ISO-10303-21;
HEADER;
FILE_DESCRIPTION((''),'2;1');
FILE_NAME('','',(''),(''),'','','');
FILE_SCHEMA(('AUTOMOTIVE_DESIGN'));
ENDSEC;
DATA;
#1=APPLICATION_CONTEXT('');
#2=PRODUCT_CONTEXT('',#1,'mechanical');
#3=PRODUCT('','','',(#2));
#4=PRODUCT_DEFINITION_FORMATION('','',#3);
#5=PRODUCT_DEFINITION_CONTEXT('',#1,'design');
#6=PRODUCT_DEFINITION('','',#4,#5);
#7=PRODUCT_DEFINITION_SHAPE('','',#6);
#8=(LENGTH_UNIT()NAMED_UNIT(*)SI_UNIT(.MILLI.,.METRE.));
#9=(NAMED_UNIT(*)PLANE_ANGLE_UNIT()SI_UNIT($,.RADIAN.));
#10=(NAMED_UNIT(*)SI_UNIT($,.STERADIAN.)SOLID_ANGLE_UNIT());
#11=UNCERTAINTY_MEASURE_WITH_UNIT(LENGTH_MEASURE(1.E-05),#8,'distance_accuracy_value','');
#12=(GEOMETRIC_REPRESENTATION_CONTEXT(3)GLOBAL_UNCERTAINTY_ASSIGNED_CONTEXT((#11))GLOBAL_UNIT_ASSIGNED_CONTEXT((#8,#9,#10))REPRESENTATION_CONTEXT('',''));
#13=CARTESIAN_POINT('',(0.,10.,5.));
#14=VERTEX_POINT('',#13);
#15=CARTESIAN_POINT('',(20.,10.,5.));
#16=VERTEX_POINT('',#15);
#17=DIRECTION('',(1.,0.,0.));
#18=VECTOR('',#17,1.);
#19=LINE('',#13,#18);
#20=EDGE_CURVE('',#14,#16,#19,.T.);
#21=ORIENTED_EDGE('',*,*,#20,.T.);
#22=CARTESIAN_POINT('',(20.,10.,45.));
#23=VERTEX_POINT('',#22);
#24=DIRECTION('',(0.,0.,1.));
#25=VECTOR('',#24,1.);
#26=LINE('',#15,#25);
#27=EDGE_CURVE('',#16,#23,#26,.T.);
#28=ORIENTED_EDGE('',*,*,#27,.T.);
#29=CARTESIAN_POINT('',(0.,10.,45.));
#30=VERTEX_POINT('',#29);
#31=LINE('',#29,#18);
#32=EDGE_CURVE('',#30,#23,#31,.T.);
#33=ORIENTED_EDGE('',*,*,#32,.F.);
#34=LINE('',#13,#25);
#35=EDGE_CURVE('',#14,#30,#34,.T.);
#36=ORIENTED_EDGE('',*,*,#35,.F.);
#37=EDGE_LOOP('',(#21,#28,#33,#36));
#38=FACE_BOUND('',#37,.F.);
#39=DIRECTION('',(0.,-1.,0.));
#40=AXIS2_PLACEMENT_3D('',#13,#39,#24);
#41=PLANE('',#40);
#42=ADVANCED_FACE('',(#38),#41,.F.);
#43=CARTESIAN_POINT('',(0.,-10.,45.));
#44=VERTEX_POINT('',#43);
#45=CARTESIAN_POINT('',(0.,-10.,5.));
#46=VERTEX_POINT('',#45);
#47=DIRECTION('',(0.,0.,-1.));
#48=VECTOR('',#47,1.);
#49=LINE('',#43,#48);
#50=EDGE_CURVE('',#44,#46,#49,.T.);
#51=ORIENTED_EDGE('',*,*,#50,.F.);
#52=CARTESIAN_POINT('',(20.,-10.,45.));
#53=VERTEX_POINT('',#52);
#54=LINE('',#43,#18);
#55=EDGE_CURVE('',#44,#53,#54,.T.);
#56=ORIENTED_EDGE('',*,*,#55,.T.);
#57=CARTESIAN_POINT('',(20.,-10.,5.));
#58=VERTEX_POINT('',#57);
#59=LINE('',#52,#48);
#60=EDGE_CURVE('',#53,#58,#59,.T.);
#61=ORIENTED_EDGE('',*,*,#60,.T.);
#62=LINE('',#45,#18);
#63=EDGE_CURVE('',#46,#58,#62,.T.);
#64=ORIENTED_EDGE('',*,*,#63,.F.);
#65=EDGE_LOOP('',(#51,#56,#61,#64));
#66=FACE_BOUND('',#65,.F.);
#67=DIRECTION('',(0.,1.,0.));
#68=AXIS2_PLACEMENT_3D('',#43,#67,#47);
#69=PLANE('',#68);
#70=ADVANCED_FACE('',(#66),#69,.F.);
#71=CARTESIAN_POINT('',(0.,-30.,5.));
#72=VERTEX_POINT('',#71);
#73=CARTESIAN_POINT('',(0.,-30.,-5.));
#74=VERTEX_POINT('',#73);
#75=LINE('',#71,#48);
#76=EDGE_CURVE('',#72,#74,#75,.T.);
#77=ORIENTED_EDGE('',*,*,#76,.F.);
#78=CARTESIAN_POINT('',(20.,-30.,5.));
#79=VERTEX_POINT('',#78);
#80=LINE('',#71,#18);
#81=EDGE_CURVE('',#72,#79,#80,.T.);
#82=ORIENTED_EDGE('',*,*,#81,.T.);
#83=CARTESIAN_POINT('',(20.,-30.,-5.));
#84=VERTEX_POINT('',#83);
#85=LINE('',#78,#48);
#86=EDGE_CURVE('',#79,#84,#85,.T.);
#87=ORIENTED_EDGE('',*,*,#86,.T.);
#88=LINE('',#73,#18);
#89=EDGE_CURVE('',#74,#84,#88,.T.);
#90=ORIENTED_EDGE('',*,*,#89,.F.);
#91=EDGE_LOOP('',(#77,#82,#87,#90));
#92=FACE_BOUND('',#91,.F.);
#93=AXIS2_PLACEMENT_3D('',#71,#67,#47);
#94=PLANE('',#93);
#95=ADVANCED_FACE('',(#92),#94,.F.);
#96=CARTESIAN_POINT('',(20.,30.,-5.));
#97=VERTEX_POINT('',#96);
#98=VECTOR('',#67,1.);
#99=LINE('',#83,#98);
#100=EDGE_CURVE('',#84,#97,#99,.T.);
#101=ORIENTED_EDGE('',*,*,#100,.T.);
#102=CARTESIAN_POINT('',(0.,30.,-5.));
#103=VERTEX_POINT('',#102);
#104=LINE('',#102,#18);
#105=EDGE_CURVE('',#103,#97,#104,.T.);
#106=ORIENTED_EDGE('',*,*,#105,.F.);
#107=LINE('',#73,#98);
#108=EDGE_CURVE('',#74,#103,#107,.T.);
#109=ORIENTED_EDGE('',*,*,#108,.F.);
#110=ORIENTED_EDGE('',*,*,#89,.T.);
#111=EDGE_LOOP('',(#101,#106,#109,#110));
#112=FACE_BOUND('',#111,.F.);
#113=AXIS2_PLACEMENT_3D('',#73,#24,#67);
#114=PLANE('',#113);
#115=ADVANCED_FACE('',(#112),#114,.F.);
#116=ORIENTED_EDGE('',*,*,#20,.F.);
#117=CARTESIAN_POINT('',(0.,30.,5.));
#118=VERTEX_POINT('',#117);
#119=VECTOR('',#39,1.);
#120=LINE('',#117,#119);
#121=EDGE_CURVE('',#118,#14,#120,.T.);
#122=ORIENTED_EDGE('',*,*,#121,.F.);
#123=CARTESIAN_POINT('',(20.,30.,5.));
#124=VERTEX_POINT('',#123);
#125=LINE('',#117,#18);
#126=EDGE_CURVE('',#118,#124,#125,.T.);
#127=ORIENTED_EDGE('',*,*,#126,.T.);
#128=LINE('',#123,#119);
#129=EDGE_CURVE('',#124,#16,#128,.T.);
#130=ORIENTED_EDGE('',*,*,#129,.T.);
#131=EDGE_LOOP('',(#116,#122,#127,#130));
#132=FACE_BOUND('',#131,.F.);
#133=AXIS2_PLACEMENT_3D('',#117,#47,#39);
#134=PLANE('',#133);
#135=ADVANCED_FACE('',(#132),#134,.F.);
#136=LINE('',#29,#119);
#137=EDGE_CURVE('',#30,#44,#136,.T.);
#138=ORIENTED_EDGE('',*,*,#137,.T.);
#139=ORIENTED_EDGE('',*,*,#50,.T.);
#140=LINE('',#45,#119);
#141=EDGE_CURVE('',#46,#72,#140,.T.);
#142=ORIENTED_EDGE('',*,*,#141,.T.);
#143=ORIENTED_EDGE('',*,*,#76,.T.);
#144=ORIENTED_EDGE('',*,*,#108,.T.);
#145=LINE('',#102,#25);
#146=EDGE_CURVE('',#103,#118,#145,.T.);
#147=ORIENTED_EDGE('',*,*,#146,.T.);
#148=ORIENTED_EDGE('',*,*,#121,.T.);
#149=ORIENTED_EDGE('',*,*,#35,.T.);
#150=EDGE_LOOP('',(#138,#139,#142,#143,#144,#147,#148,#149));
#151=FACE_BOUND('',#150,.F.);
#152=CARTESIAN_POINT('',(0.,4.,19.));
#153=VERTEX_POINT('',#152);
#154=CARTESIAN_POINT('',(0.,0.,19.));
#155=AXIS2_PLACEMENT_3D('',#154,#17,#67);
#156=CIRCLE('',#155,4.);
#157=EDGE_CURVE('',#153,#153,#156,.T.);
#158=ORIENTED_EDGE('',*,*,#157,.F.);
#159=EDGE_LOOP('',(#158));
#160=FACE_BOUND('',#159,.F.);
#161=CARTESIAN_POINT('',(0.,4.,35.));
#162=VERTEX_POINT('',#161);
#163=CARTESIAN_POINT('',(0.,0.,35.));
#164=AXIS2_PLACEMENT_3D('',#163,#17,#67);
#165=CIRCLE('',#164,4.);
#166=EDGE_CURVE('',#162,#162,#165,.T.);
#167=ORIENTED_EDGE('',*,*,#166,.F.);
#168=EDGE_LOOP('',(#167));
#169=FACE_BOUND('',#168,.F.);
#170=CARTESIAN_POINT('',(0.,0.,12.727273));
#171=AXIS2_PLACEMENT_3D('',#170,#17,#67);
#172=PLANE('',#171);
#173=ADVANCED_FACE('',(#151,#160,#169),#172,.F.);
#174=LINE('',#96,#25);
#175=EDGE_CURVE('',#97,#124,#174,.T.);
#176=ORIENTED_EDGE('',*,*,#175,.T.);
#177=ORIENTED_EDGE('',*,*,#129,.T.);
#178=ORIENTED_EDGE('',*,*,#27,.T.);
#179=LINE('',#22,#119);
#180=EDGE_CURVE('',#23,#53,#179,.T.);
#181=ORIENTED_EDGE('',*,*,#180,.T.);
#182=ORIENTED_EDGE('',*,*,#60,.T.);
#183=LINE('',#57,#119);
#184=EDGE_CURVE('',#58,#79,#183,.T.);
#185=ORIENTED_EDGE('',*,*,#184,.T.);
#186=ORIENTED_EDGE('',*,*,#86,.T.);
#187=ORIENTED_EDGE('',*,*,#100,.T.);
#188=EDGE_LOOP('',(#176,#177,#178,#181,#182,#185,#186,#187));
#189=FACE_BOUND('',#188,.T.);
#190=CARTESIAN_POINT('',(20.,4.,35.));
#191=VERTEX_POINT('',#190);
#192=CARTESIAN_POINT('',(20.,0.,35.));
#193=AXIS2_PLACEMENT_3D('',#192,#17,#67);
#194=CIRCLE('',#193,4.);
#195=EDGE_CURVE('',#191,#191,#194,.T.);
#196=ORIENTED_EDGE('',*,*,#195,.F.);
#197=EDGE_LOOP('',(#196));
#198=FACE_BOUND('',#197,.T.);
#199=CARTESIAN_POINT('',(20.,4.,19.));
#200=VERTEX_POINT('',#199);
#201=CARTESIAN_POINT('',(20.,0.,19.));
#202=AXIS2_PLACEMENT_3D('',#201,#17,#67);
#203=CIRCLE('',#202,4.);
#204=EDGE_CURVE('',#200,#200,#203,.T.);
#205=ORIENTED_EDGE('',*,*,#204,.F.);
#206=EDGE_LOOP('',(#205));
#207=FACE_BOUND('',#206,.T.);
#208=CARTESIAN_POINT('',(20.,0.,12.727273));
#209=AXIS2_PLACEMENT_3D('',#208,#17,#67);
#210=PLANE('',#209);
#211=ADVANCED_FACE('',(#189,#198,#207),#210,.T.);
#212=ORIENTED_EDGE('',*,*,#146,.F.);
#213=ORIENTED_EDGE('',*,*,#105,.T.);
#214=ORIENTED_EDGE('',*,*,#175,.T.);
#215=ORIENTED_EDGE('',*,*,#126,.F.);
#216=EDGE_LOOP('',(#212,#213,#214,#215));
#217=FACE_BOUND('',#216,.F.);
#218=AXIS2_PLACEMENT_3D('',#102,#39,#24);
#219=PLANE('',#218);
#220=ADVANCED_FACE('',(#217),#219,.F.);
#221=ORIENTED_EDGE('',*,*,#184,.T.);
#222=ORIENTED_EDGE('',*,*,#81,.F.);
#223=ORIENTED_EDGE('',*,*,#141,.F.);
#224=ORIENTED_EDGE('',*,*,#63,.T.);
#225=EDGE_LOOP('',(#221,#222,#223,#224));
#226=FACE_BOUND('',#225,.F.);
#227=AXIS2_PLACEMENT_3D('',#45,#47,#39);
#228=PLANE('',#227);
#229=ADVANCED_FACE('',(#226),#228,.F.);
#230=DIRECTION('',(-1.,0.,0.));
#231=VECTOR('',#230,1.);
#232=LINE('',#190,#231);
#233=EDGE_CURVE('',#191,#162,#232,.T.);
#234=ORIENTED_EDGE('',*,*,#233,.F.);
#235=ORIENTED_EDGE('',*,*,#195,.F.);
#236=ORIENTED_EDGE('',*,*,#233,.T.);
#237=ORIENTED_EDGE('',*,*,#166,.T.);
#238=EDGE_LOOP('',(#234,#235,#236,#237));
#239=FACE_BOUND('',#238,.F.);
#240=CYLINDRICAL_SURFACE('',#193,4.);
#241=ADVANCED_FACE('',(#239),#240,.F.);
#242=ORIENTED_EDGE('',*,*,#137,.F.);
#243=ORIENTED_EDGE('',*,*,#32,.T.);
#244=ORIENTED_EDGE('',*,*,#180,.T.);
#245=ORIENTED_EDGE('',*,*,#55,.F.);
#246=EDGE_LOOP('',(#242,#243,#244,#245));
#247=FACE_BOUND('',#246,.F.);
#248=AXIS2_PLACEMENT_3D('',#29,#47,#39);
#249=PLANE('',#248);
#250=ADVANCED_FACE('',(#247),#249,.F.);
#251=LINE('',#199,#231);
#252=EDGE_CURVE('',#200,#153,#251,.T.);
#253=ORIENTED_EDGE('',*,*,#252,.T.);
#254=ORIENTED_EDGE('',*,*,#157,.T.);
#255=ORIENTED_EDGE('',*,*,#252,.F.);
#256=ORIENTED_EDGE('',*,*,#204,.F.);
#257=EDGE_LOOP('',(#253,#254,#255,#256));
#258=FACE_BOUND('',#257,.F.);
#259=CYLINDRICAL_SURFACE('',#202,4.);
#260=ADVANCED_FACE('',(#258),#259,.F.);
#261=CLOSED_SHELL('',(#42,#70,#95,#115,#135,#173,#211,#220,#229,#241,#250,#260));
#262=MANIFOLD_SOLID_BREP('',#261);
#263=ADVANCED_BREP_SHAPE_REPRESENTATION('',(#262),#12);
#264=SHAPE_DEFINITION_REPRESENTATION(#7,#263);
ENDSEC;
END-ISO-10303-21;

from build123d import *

# Parameters (mm, degrees)
PAD_DEPTH    = 20
SKETCH001_R  = 4
POCKET_DEPTH = 20


with BuildPart() as part:
    # Sketch → Pad (new body)
    with BuildSketch(Plane.YZ):
        Polygon((-30, -5), (30, -5), (30, 5), (10, 5), (10, 45), (-10, 45), (-10, 5), (-30, 5), align=None)
    extrude(amount=PAD_DEPTH)

    # Sketch001 → Pocket (cut)
    with BuildSketch(Plane.YZ.offset(20)):
        with Locations((0, 35)):
            Circle(SKETCH001_R)
        with Locations((0, 19)):
            Circle(SKETCH001_R)
    extrude(amount=-POCKET_DEPTH, mode=Mode.SUBTRACT)


solid = part.part
